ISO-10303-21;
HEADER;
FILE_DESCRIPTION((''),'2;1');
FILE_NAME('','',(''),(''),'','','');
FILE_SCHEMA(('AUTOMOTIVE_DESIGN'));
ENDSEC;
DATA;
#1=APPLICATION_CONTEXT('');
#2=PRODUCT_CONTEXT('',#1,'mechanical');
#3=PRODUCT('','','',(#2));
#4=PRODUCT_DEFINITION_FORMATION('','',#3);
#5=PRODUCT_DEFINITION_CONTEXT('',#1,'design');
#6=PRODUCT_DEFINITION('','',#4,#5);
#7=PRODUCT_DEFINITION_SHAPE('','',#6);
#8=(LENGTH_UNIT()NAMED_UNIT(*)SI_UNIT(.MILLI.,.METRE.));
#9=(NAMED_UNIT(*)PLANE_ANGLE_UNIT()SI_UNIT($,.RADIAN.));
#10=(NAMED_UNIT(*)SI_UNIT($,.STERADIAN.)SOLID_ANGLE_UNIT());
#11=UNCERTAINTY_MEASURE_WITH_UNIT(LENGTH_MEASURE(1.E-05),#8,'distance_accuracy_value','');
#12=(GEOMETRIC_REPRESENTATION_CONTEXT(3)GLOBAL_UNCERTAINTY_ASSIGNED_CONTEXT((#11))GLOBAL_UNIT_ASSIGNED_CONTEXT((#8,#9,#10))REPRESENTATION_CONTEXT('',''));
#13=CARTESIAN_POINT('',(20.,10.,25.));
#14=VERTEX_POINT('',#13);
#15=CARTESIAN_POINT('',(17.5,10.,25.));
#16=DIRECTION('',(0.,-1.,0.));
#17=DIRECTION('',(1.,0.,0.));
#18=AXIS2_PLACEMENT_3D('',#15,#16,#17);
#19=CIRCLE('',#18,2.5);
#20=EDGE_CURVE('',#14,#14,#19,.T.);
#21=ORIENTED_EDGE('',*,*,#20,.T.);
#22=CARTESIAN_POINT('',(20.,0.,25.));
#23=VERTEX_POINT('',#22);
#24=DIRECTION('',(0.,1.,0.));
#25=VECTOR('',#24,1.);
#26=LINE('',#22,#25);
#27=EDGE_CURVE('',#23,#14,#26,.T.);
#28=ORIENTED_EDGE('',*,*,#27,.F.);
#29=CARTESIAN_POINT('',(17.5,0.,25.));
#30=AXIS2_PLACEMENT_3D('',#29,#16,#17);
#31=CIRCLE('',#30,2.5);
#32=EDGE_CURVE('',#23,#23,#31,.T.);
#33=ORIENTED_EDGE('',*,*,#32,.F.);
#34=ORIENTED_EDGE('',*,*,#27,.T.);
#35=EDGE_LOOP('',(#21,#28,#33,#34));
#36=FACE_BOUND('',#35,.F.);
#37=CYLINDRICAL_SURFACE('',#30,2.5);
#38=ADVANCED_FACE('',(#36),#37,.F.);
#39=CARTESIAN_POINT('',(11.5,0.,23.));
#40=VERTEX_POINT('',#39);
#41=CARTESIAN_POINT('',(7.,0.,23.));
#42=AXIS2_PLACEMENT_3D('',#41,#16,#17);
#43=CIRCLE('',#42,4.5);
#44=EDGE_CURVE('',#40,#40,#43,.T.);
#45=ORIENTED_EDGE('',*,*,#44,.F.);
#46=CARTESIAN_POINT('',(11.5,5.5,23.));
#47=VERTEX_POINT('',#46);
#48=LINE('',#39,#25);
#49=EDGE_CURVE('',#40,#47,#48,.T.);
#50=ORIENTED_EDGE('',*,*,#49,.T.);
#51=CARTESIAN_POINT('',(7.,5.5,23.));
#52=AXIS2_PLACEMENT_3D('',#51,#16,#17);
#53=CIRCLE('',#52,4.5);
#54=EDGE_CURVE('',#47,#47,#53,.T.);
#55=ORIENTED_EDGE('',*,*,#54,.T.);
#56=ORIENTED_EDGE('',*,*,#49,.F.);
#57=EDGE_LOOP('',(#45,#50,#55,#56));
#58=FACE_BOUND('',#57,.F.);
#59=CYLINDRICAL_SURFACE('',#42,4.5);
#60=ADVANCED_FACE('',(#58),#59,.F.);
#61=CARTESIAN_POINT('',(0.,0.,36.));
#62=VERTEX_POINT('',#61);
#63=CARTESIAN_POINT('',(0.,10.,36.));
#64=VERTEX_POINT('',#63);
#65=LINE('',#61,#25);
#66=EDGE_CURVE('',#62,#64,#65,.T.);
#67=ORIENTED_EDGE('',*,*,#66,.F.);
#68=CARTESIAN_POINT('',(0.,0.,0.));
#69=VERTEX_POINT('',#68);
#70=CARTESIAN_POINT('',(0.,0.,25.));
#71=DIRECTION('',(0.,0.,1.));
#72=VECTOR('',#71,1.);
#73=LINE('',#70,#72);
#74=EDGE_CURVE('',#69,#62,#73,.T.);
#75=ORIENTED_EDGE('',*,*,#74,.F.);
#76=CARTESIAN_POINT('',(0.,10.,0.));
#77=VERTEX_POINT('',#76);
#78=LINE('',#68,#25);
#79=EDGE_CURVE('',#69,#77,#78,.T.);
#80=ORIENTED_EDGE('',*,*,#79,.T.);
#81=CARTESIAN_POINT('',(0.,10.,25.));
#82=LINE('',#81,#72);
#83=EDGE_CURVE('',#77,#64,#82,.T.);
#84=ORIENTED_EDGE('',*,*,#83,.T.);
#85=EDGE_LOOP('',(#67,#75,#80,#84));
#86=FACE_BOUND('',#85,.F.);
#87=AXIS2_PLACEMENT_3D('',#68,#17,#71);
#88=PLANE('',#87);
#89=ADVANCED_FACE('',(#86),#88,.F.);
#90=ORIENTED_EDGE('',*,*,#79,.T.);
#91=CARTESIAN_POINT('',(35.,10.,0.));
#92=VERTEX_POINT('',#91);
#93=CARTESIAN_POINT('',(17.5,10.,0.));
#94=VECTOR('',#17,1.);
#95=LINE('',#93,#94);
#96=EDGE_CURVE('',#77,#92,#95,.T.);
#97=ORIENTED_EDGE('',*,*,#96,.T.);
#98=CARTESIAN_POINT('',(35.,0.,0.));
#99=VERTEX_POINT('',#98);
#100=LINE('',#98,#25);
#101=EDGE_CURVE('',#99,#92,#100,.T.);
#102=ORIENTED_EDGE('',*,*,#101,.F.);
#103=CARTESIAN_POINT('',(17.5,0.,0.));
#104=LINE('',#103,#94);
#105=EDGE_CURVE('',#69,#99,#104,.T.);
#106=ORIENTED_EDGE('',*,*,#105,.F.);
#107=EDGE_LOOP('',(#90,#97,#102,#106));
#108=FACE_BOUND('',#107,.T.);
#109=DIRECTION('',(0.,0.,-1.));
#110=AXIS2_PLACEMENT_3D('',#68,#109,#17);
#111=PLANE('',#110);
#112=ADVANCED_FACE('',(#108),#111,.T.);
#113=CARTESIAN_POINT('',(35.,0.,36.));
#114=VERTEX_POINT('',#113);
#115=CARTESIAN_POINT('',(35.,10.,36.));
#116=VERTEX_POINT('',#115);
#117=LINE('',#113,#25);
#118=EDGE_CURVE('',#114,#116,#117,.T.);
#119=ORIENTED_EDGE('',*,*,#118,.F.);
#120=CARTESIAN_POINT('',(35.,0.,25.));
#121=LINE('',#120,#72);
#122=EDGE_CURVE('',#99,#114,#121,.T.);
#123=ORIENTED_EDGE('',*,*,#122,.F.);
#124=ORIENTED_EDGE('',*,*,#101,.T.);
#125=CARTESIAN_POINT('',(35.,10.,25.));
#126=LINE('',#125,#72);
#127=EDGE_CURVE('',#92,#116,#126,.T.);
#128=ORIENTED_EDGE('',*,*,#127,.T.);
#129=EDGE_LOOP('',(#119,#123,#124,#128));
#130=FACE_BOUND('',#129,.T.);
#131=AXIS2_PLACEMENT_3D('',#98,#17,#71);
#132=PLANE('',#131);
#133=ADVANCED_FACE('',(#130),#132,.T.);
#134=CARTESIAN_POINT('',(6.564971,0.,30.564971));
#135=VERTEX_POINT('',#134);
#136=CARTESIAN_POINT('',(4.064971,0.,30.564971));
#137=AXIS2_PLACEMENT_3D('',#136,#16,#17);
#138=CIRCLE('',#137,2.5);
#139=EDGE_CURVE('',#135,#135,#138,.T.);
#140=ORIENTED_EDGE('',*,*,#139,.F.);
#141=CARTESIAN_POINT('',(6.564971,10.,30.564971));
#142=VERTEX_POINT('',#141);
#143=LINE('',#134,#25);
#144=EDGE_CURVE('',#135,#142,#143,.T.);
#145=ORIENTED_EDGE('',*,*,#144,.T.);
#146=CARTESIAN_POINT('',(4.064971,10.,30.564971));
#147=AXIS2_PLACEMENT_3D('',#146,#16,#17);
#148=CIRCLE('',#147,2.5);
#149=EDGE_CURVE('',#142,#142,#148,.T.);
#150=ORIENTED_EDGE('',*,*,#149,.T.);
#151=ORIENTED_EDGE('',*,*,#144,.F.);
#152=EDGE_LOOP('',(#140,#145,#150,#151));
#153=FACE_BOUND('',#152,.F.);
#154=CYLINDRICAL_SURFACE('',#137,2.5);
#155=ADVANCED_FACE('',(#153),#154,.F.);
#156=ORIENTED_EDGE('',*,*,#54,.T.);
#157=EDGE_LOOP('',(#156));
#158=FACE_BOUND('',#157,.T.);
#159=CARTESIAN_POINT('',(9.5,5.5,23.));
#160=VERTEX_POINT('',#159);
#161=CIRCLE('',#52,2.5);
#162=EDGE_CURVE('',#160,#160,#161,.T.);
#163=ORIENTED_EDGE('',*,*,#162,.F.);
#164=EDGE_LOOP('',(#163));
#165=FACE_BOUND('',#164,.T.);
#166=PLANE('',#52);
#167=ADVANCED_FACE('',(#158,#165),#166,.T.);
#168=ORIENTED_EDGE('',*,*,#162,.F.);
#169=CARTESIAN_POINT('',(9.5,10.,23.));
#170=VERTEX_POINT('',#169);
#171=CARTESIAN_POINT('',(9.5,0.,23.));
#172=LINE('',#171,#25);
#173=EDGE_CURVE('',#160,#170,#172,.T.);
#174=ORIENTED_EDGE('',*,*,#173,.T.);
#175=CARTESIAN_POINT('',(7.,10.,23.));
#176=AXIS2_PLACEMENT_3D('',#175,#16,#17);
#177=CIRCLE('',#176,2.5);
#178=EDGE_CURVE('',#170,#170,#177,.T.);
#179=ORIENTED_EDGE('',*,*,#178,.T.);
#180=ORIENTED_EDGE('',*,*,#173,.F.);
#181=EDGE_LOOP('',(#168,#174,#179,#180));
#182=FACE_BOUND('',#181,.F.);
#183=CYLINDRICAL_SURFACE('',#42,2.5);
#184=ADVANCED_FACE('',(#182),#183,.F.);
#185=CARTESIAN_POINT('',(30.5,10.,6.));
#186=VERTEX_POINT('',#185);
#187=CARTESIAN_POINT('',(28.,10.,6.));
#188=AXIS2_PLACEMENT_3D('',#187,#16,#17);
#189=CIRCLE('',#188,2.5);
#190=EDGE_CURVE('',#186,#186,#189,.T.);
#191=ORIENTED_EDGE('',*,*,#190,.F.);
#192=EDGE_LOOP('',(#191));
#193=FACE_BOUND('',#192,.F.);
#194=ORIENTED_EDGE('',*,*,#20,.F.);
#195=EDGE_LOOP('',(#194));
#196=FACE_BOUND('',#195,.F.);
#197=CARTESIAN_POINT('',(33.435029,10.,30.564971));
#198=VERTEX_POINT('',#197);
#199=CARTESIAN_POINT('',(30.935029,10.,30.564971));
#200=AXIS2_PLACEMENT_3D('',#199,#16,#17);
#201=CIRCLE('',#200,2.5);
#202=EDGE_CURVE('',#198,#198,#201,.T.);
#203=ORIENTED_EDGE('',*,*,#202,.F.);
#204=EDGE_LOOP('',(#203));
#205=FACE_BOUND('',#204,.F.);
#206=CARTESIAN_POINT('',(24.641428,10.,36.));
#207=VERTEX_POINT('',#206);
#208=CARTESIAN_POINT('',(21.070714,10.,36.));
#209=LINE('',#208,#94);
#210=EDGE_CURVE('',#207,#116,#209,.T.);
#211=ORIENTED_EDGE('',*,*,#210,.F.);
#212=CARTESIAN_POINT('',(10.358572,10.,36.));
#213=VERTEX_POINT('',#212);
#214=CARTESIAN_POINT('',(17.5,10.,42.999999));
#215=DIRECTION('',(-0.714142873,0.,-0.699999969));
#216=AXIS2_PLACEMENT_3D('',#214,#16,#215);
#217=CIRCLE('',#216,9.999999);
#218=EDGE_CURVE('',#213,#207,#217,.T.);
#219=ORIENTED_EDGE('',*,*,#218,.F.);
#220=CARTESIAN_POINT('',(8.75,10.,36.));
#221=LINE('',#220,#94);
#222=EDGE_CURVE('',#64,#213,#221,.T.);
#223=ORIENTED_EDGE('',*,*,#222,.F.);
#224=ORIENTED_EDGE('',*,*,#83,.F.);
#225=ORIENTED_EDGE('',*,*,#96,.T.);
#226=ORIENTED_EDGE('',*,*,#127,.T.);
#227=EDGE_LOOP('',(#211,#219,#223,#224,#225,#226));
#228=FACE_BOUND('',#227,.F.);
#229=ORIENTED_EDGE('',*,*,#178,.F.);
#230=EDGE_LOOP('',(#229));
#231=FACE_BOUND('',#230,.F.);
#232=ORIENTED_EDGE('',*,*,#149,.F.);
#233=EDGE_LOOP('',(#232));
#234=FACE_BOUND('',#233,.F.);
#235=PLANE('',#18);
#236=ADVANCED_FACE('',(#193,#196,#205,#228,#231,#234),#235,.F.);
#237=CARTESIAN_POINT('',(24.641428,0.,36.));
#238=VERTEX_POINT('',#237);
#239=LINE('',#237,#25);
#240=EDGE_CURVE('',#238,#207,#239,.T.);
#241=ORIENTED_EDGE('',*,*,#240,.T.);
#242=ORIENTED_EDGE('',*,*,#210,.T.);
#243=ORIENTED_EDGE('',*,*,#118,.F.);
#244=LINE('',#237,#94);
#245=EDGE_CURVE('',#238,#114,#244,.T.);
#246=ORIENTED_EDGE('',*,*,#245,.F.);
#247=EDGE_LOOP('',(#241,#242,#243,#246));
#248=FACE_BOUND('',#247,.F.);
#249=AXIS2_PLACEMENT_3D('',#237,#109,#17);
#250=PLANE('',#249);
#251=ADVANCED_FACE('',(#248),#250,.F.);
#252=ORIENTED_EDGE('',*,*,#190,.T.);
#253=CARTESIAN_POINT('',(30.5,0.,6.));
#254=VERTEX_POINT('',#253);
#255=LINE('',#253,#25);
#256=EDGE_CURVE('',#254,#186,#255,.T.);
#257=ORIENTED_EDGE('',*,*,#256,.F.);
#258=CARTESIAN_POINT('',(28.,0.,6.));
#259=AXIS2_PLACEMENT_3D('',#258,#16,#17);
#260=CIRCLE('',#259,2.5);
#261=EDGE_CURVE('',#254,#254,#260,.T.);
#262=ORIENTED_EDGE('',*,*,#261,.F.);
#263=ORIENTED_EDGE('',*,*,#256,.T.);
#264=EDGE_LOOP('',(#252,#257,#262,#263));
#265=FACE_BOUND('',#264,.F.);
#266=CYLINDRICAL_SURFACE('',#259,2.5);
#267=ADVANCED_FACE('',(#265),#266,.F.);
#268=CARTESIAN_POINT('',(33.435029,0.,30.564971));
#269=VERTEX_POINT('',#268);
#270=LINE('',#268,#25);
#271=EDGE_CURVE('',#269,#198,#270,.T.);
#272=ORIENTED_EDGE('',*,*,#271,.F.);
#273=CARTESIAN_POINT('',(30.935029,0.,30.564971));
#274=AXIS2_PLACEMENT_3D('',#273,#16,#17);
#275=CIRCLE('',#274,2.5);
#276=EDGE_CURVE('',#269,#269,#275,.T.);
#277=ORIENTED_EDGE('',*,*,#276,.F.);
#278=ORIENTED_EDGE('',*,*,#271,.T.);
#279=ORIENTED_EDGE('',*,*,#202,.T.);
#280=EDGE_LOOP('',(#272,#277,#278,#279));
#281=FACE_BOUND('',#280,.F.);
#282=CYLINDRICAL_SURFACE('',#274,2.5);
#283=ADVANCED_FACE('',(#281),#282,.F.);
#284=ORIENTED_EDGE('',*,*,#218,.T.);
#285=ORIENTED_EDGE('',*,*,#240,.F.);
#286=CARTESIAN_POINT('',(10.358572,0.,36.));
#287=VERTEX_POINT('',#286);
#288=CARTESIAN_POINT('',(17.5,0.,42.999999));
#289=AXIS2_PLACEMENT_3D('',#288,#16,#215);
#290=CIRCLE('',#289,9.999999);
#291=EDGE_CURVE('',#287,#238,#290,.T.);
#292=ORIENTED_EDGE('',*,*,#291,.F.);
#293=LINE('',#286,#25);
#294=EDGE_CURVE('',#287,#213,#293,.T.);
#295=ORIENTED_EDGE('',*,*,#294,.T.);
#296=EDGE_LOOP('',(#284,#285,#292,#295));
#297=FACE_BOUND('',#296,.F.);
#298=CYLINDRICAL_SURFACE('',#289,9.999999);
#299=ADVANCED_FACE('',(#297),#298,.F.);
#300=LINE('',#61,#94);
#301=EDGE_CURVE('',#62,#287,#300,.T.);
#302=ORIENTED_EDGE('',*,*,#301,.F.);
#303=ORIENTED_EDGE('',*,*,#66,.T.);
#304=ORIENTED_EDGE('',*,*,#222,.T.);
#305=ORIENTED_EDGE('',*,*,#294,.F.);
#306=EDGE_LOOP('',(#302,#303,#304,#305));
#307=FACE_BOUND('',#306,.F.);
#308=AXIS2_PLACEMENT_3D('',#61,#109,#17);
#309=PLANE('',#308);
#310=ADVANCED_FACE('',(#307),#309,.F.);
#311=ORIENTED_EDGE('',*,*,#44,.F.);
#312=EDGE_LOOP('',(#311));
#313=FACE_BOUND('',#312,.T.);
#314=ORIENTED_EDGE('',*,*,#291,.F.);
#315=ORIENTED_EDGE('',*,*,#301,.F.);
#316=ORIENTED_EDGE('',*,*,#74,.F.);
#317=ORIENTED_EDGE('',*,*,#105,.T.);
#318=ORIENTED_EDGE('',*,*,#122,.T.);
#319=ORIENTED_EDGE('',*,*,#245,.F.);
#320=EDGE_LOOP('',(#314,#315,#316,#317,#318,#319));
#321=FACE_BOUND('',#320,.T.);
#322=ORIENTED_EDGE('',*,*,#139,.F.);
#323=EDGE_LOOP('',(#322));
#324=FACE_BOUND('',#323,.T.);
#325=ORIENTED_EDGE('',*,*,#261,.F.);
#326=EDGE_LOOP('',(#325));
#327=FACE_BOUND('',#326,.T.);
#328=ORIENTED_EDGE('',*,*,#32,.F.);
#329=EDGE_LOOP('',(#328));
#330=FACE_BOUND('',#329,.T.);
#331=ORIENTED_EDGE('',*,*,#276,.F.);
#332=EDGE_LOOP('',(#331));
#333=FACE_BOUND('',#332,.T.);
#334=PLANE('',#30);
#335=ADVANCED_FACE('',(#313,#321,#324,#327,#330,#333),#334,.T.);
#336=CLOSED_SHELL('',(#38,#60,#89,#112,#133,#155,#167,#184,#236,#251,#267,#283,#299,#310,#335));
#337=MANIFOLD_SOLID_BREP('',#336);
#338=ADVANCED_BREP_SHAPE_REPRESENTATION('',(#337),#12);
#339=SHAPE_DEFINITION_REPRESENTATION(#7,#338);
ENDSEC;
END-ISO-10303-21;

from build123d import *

# Parameters (mm, degrees)
F0_W     = 35
F0_H     = 50
F1_DEPTH = 10
F2_R     = 2.5
F3_DEPTH = 10.001
F4_R     = 2.5
F5_DEPTH = 25
F7_DEPTH = 25
F8_R     = 4.5
F9_DEPTH = 5.5


with BuildPart() as f1:
    # F0 (on Front) → F1 (new body)
    with BuildSketch(Plane.XZ):
        with Locations((17.5, 25)):
            Rectangle(F0_W, F0_H)
    extrude(amount=-F1_DEPTH)

    # F2 (on face) → F3 (cut, through all)
    with BuildSketch(Plane.XZ):
        with Locations((28, 6)):
            Circle(F2_R)
        with Locations((7, 23)):
            Circle(F2_R)
    extrude(amount=-F3_DEPTH, mode=Mode.SUBTRACT)

    # F4 (on face) → F5 (cut)
    with BuildSketch(Plane.XZ):
        with Locations((17.5, 25)):
            Circle(F4_R)
        with Locations((4.064971, 30.564971)):
            Circle(F4_R)
        with Locations((30.935029, 30.564971)):
            Circle(F4_R)
    extrude(amount=-F5_DEPTH, mode=Mode.SUBTRACT)

    # F6 (on face) → F7 (cut)
    with BuildSketch(Plane.XZ):
        with BuildLine():
            Line((0, 36), (10.358572, 36))
            ThreePointArc((10.358572, 36), (17.5, 33), (24.641428, 36))
            Line((24.641428, 36), (35, 36))
            Line((35, 36), (35, 50))
            Line((35, 50), (0, 50))
            Line((0, 50), (0, 36))
        make_face()
    extrude(amount=-F7_DEPTH, mode=Mode.SUBTRACT)

    # F8 (on face) → F9 (cut)
    with BuildSketch(Plane.XZ):
        with Locations((7, 23)):
            Circle(F8_R)
    extrude(amount=-F9_DEPTH, mode=Mode.SUBTRACT)


solid = f1.part
